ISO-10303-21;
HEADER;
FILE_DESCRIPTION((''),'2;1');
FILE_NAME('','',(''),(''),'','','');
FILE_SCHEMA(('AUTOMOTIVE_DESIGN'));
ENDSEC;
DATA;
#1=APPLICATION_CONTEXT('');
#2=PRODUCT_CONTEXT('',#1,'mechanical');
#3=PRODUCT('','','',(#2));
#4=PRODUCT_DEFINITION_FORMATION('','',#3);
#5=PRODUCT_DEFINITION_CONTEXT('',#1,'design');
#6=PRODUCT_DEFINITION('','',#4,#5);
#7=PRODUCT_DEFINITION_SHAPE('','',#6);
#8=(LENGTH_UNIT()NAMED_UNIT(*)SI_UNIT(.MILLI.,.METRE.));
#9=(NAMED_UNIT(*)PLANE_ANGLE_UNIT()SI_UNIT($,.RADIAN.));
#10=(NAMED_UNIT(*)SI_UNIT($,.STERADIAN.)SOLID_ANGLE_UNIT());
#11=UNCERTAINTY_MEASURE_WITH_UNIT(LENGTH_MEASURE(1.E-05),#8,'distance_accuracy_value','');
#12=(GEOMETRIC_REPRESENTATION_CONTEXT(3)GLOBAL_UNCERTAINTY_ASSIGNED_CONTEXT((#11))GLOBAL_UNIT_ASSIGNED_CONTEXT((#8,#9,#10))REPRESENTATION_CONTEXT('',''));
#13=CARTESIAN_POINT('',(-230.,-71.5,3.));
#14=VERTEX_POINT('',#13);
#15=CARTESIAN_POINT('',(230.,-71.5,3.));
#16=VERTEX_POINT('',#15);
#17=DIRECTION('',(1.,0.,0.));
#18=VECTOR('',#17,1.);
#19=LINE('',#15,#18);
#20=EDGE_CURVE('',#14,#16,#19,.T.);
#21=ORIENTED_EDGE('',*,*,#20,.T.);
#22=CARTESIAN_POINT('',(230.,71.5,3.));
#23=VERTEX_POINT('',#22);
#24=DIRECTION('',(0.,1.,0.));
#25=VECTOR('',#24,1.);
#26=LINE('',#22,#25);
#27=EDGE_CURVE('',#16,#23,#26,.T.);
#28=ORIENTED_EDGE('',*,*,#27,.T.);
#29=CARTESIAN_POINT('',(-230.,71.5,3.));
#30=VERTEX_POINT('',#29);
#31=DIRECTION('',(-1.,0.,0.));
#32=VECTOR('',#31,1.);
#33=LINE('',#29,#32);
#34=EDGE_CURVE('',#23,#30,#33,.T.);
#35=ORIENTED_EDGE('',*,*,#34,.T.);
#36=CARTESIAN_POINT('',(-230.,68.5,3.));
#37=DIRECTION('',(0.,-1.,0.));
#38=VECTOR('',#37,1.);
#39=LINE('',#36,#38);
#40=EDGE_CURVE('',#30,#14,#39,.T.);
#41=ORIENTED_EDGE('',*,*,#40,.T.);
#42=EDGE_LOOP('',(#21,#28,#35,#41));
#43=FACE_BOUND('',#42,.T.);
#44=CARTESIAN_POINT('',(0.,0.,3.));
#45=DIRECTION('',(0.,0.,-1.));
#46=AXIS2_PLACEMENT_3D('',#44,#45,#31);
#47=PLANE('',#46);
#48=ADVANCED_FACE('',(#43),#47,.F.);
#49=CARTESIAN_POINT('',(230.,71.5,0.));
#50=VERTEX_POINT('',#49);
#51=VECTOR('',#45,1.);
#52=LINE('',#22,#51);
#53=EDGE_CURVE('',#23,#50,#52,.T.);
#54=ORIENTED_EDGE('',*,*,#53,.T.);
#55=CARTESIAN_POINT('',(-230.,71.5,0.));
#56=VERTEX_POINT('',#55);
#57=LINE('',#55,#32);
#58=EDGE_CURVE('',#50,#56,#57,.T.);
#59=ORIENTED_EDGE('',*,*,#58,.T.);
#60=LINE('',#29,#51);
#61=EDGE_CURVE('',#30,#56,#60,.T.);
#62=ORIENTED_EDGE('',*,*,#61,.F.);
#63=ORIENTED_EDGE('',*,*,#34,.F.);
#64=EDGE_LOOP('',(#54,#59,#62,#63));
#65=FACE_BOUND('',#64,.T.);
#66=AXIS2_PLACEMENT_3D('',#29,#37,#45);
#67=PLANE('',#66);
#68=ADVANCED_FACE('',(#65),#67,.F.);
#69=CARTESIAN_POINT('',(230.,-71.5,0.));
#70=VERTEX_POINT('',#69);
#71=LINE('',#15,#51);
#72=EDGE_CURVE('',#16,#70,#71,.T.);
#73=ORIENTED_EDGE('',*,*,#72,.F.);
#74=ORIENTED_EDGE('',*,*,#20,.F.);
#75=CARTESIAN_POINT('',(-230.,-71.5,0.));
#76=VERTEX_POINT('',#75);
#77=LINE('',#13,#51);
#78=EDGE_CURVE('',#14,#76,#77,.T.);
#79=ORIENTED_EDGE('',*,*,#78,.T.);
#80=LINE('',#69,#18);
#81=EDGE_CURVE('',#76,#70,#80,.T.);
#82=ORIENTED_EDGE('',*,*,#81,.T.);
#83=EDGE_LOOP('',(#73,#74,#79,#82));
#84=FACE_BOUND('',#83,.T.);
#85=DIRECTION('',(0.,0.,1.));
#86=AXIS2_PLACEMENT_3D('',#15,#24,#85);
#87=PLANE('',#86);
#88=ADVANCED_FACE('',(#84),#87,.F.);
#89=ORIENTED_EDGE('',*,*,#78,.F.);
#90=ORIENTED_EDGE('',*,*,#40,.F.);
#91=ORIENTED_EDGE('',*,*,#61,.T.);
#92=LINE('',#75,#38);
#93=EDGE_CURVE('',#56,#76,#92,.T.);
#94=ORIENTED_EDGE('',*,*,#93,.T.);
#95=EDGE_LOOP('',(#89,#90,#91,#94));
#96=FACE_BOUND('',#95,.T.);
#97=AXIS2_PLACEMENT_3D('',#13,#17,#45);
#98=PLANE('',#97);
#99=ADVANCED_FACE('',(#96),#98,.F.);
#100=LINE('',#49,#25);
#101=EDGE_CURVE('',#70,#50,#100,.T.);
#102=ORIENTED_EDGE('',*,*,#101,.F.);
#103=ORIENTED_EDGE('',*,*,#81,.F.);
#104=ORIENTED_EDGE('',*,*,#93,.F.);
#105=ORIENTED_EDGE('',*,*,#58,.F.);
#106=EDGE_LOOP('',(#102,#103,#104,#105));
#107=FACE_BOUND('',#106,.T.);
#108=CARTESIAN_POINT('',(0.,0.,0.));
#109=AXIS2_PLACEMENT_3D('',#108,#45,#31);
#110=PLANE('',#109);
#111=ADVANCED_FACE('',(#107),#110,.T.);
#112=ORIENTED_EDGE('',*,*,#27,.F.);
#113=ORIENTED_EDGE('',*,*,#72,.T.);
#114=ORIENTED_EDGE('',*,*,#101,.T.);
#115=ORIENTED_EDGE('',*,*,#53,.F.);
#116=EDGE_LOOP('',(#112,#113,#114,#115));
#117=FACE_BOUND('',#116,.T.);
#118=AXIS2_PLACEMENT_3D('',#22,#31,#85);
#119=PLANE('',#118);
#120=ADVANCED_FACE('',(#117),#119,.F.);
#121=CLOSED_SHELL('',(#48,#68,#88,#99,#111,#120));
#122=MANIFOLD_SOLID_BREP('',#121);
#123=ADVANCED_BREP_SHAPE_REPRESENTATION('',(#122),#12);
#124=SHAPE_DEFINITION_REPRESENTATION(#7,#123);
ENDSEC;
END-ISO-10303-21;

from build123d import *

# Parameters (mm, degrees)
BOSS_EXTRUDE1_DEPTH = 3


with BuildPart() as part:
    # Sketch1 → Boss-Extrude1 (new body)
    with BuildSketch(Plane.XY):
        Polygon((-230, -71.5), (-230, 68.5), (-230, 71.5), (230, 71.5), (230, -71.5), align=None)
    extrude(amount=BOSS_EXTRUDE1_DEPTH)


solid = part.part
